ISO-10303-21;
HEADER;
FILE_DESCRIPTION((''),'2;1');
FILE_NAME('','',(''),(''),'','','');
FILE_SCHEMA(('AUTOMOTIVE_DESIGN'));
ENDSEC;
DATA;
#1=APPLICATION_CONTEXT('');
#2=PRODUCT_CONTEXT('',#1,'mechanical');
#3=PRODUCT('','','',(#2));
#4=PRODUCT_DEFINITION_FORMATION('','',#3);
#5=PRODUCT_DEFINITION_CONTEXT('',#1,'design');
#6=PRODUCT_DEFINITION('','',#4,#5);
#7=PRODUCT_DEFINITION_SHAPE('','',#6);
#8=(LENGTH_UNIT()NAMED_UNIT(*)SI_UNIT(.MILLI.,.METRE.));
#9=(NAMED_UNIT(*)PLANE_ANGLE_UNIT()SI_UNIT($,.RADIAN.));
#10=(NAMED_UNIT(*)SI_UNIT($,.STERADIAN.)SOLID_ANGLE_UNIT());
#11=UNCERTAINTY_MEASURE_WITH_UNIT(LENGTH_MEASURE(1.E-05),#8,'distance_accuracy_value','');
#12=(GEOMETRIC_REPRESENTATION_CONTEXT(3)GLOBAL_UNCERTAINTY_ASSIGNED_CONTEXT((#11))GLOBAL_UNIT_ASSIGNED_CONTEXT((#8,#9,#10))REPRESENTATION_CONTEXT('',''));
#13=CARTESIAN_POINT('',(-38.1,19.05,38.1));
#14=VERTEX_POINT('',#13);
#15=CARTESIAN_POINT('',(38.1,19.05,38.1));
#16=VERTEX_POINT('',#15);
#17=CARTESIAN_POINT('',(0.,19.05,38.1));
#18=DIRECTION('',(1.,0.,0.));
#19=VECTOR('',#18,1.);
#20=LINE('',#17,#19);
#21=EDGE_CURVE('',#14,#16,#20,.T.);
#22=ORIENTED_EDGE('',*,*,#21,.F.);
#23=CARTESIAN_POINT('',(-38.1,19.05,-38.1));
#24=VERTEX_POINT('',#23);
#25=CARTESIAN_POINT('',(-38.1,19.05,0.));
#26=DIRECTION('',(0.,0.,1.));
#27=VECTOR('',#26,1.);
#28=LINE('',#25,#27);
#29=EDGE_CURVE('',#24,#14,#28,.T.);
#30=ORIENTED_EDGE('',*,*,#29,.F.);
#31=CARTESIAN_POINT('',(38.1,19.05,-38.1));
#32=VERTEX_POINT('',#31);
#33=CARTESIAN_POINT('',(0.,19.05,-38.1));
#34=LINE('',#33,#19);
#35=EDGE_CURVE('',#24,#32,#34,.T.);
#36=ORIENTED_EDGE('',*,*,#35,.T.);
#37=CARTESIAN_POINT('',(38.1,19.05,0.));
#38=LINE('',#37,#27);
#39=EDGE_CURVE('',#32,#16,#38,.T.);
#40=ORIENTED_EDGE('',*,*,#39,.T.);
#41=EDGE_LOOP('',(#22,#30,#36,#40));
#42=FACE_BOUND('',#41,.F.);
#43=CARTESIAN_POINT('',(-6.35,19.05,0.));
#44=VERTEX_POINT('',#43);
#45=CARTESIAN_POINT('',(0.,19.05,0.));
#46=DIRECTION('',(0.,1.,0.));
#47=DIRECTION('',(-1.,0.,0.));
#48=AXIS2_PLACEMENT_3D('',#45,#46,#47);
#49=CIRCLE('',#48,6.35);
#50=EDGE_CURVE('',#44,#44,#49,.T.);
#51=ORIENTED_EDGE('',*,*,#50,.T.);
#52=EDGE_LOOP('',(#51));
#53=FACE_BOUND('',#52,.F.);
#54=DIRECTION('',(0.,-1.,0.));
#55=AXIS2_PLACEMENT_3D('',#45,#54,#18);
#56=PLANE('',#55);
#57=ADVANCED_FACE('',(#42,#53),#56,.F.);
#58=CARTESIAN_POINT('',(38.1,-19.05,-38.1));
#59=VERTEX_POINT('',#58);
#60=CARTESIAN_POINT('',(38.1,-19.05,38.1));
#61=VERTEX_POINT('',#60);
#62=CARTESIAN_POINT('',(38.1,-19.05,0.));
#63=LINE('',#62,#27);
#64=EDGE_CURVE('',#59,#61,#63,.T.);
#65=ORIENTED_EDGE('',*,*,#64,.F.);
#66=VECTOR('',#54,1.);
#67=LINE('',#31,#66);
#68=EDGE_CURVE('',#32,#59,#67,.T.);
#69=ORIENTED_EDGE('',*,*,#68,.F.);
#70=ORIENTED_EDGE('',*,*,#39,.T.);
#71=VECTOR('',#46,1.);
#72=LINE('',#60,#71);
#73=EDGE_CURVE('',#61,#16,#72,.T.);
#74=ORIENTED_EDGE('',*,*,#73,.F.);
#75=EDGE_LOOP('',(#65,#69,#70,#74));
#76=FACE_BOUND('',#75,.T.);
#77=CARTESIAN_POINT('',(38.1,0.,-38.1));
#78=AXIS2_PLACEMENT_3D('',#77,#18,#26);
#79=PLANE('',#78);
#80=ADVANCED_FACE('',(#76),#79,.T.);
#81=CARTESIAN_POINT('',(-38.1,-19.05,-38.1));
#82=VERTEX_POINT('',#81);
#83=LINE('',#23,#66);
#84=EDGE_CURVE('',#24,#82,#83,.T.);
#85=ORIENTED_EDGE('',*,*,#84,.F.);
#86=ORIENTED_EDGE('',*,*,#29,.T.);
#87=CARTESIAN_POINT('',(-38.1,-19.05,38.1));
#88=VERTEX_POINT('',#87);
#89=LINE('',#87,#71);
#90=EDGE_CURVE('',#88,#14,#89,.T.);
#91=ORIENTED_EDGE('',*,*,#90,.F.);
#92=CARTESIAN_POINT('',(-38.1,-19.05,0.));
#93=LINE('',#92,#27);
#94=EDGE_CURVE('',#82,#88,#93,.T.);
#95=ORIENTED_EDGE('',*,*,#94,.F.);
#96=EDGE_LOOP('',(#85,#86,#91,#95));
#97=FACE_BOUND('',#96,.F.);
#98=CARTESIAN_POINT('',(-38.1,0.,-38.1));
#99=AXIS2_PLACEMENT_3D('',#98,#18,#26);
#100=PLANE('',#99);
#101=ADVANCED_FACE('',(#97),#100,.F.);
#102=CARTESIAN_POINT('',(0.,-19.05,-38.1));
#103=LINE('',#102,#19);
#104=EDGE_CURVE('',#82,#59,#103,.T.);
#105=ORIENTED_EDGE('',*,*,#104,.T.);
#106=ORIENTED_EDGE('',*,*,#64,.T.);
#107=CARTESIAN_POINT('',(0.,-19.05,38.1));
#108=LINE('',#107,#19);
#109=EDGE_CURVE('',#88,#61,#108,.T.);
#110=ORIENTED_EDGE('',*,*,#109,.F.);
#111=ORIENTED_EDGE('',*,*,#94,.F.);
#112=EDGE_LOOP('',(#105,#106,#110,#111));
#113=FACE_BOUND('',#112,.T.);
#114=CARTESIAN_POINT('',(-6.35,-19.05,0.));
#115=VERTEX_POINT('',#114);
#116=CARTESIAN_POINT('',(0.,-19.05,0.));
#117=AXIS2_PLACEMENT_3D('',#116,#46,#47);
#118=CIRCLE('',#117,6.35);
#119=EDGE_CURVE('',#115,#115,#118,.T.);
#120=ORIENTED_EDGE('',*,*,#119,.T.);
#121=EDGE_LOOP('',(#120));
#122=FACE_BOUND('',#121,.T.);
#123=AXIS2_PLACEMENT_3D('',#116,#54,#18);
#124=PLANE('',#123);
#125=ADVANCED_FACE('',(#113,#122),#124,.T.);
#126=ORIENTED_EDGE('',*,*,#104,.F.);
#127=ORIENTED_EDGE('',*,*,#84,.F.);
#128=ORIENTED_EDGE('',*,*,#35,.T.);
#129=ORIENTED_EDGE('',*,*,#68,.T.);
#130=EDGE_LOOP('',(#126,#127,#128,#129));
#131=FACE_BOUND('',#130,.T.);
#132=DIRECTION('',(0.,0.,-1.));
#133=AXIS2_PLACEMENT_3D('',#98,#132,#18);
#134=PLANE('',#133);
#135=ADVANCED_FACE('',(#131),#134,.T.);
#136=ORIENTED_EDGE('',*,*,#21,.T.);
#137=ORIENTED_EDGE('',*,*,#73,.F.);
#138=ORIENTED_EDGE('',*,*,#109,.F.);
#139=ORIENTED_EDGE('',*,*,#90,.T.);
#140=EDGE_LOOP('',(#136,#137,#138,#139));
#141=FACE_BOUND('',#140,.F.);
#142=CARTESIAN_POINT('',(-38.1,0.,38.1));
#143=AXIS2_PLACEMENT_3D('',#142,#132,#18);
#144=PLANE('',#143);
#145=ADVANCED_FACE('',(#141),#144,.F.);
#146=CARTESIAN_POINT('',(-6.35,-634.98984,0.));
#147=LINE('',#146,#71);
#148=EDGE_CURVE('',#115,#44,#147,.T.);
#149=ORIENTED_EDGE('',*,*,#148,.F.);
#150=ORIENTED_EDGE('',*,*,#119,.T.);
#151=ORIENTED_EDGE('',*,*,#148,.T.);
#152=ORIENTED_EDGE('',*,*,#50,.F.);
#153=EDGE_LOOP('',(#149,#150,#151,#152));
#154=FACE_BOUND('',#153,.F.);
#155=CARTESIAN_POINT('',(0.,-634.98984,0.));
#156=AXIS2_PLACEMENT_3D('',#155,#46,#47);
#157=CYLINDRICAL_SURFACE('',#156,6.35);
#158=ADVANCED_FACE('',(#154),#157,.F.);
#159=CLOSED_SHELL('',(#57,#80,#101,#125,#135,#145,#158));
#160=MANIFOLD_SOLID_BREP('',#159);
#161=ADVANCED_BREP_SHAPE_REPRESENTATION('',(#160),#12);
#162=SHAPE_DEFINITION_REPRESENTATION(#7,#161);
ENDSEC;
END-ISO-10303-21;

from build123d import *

# Parameters (mm, degrees)
F0_W     = 76.2
F0_H     = 76.2
F1_DEPTH = 19.05
F4_D     = 12.7
F4_DEPTH = 609.6


with BuildPart() as f1:
    # F0 (on Front) → F1 (new body, symmetric)
    with BuildSketch(Plane.XZ):
        Rectangle(F0_W, F0_H)
    extrude(amount=F1_DEPTH, both=True)

    # F4
    with Locations(Plane.XZ.offset(25.38984)):
        with Locations((0, 0)):
            Hole(F4_D / 2, depth=F4_DEPTH)


solid = f1.part
